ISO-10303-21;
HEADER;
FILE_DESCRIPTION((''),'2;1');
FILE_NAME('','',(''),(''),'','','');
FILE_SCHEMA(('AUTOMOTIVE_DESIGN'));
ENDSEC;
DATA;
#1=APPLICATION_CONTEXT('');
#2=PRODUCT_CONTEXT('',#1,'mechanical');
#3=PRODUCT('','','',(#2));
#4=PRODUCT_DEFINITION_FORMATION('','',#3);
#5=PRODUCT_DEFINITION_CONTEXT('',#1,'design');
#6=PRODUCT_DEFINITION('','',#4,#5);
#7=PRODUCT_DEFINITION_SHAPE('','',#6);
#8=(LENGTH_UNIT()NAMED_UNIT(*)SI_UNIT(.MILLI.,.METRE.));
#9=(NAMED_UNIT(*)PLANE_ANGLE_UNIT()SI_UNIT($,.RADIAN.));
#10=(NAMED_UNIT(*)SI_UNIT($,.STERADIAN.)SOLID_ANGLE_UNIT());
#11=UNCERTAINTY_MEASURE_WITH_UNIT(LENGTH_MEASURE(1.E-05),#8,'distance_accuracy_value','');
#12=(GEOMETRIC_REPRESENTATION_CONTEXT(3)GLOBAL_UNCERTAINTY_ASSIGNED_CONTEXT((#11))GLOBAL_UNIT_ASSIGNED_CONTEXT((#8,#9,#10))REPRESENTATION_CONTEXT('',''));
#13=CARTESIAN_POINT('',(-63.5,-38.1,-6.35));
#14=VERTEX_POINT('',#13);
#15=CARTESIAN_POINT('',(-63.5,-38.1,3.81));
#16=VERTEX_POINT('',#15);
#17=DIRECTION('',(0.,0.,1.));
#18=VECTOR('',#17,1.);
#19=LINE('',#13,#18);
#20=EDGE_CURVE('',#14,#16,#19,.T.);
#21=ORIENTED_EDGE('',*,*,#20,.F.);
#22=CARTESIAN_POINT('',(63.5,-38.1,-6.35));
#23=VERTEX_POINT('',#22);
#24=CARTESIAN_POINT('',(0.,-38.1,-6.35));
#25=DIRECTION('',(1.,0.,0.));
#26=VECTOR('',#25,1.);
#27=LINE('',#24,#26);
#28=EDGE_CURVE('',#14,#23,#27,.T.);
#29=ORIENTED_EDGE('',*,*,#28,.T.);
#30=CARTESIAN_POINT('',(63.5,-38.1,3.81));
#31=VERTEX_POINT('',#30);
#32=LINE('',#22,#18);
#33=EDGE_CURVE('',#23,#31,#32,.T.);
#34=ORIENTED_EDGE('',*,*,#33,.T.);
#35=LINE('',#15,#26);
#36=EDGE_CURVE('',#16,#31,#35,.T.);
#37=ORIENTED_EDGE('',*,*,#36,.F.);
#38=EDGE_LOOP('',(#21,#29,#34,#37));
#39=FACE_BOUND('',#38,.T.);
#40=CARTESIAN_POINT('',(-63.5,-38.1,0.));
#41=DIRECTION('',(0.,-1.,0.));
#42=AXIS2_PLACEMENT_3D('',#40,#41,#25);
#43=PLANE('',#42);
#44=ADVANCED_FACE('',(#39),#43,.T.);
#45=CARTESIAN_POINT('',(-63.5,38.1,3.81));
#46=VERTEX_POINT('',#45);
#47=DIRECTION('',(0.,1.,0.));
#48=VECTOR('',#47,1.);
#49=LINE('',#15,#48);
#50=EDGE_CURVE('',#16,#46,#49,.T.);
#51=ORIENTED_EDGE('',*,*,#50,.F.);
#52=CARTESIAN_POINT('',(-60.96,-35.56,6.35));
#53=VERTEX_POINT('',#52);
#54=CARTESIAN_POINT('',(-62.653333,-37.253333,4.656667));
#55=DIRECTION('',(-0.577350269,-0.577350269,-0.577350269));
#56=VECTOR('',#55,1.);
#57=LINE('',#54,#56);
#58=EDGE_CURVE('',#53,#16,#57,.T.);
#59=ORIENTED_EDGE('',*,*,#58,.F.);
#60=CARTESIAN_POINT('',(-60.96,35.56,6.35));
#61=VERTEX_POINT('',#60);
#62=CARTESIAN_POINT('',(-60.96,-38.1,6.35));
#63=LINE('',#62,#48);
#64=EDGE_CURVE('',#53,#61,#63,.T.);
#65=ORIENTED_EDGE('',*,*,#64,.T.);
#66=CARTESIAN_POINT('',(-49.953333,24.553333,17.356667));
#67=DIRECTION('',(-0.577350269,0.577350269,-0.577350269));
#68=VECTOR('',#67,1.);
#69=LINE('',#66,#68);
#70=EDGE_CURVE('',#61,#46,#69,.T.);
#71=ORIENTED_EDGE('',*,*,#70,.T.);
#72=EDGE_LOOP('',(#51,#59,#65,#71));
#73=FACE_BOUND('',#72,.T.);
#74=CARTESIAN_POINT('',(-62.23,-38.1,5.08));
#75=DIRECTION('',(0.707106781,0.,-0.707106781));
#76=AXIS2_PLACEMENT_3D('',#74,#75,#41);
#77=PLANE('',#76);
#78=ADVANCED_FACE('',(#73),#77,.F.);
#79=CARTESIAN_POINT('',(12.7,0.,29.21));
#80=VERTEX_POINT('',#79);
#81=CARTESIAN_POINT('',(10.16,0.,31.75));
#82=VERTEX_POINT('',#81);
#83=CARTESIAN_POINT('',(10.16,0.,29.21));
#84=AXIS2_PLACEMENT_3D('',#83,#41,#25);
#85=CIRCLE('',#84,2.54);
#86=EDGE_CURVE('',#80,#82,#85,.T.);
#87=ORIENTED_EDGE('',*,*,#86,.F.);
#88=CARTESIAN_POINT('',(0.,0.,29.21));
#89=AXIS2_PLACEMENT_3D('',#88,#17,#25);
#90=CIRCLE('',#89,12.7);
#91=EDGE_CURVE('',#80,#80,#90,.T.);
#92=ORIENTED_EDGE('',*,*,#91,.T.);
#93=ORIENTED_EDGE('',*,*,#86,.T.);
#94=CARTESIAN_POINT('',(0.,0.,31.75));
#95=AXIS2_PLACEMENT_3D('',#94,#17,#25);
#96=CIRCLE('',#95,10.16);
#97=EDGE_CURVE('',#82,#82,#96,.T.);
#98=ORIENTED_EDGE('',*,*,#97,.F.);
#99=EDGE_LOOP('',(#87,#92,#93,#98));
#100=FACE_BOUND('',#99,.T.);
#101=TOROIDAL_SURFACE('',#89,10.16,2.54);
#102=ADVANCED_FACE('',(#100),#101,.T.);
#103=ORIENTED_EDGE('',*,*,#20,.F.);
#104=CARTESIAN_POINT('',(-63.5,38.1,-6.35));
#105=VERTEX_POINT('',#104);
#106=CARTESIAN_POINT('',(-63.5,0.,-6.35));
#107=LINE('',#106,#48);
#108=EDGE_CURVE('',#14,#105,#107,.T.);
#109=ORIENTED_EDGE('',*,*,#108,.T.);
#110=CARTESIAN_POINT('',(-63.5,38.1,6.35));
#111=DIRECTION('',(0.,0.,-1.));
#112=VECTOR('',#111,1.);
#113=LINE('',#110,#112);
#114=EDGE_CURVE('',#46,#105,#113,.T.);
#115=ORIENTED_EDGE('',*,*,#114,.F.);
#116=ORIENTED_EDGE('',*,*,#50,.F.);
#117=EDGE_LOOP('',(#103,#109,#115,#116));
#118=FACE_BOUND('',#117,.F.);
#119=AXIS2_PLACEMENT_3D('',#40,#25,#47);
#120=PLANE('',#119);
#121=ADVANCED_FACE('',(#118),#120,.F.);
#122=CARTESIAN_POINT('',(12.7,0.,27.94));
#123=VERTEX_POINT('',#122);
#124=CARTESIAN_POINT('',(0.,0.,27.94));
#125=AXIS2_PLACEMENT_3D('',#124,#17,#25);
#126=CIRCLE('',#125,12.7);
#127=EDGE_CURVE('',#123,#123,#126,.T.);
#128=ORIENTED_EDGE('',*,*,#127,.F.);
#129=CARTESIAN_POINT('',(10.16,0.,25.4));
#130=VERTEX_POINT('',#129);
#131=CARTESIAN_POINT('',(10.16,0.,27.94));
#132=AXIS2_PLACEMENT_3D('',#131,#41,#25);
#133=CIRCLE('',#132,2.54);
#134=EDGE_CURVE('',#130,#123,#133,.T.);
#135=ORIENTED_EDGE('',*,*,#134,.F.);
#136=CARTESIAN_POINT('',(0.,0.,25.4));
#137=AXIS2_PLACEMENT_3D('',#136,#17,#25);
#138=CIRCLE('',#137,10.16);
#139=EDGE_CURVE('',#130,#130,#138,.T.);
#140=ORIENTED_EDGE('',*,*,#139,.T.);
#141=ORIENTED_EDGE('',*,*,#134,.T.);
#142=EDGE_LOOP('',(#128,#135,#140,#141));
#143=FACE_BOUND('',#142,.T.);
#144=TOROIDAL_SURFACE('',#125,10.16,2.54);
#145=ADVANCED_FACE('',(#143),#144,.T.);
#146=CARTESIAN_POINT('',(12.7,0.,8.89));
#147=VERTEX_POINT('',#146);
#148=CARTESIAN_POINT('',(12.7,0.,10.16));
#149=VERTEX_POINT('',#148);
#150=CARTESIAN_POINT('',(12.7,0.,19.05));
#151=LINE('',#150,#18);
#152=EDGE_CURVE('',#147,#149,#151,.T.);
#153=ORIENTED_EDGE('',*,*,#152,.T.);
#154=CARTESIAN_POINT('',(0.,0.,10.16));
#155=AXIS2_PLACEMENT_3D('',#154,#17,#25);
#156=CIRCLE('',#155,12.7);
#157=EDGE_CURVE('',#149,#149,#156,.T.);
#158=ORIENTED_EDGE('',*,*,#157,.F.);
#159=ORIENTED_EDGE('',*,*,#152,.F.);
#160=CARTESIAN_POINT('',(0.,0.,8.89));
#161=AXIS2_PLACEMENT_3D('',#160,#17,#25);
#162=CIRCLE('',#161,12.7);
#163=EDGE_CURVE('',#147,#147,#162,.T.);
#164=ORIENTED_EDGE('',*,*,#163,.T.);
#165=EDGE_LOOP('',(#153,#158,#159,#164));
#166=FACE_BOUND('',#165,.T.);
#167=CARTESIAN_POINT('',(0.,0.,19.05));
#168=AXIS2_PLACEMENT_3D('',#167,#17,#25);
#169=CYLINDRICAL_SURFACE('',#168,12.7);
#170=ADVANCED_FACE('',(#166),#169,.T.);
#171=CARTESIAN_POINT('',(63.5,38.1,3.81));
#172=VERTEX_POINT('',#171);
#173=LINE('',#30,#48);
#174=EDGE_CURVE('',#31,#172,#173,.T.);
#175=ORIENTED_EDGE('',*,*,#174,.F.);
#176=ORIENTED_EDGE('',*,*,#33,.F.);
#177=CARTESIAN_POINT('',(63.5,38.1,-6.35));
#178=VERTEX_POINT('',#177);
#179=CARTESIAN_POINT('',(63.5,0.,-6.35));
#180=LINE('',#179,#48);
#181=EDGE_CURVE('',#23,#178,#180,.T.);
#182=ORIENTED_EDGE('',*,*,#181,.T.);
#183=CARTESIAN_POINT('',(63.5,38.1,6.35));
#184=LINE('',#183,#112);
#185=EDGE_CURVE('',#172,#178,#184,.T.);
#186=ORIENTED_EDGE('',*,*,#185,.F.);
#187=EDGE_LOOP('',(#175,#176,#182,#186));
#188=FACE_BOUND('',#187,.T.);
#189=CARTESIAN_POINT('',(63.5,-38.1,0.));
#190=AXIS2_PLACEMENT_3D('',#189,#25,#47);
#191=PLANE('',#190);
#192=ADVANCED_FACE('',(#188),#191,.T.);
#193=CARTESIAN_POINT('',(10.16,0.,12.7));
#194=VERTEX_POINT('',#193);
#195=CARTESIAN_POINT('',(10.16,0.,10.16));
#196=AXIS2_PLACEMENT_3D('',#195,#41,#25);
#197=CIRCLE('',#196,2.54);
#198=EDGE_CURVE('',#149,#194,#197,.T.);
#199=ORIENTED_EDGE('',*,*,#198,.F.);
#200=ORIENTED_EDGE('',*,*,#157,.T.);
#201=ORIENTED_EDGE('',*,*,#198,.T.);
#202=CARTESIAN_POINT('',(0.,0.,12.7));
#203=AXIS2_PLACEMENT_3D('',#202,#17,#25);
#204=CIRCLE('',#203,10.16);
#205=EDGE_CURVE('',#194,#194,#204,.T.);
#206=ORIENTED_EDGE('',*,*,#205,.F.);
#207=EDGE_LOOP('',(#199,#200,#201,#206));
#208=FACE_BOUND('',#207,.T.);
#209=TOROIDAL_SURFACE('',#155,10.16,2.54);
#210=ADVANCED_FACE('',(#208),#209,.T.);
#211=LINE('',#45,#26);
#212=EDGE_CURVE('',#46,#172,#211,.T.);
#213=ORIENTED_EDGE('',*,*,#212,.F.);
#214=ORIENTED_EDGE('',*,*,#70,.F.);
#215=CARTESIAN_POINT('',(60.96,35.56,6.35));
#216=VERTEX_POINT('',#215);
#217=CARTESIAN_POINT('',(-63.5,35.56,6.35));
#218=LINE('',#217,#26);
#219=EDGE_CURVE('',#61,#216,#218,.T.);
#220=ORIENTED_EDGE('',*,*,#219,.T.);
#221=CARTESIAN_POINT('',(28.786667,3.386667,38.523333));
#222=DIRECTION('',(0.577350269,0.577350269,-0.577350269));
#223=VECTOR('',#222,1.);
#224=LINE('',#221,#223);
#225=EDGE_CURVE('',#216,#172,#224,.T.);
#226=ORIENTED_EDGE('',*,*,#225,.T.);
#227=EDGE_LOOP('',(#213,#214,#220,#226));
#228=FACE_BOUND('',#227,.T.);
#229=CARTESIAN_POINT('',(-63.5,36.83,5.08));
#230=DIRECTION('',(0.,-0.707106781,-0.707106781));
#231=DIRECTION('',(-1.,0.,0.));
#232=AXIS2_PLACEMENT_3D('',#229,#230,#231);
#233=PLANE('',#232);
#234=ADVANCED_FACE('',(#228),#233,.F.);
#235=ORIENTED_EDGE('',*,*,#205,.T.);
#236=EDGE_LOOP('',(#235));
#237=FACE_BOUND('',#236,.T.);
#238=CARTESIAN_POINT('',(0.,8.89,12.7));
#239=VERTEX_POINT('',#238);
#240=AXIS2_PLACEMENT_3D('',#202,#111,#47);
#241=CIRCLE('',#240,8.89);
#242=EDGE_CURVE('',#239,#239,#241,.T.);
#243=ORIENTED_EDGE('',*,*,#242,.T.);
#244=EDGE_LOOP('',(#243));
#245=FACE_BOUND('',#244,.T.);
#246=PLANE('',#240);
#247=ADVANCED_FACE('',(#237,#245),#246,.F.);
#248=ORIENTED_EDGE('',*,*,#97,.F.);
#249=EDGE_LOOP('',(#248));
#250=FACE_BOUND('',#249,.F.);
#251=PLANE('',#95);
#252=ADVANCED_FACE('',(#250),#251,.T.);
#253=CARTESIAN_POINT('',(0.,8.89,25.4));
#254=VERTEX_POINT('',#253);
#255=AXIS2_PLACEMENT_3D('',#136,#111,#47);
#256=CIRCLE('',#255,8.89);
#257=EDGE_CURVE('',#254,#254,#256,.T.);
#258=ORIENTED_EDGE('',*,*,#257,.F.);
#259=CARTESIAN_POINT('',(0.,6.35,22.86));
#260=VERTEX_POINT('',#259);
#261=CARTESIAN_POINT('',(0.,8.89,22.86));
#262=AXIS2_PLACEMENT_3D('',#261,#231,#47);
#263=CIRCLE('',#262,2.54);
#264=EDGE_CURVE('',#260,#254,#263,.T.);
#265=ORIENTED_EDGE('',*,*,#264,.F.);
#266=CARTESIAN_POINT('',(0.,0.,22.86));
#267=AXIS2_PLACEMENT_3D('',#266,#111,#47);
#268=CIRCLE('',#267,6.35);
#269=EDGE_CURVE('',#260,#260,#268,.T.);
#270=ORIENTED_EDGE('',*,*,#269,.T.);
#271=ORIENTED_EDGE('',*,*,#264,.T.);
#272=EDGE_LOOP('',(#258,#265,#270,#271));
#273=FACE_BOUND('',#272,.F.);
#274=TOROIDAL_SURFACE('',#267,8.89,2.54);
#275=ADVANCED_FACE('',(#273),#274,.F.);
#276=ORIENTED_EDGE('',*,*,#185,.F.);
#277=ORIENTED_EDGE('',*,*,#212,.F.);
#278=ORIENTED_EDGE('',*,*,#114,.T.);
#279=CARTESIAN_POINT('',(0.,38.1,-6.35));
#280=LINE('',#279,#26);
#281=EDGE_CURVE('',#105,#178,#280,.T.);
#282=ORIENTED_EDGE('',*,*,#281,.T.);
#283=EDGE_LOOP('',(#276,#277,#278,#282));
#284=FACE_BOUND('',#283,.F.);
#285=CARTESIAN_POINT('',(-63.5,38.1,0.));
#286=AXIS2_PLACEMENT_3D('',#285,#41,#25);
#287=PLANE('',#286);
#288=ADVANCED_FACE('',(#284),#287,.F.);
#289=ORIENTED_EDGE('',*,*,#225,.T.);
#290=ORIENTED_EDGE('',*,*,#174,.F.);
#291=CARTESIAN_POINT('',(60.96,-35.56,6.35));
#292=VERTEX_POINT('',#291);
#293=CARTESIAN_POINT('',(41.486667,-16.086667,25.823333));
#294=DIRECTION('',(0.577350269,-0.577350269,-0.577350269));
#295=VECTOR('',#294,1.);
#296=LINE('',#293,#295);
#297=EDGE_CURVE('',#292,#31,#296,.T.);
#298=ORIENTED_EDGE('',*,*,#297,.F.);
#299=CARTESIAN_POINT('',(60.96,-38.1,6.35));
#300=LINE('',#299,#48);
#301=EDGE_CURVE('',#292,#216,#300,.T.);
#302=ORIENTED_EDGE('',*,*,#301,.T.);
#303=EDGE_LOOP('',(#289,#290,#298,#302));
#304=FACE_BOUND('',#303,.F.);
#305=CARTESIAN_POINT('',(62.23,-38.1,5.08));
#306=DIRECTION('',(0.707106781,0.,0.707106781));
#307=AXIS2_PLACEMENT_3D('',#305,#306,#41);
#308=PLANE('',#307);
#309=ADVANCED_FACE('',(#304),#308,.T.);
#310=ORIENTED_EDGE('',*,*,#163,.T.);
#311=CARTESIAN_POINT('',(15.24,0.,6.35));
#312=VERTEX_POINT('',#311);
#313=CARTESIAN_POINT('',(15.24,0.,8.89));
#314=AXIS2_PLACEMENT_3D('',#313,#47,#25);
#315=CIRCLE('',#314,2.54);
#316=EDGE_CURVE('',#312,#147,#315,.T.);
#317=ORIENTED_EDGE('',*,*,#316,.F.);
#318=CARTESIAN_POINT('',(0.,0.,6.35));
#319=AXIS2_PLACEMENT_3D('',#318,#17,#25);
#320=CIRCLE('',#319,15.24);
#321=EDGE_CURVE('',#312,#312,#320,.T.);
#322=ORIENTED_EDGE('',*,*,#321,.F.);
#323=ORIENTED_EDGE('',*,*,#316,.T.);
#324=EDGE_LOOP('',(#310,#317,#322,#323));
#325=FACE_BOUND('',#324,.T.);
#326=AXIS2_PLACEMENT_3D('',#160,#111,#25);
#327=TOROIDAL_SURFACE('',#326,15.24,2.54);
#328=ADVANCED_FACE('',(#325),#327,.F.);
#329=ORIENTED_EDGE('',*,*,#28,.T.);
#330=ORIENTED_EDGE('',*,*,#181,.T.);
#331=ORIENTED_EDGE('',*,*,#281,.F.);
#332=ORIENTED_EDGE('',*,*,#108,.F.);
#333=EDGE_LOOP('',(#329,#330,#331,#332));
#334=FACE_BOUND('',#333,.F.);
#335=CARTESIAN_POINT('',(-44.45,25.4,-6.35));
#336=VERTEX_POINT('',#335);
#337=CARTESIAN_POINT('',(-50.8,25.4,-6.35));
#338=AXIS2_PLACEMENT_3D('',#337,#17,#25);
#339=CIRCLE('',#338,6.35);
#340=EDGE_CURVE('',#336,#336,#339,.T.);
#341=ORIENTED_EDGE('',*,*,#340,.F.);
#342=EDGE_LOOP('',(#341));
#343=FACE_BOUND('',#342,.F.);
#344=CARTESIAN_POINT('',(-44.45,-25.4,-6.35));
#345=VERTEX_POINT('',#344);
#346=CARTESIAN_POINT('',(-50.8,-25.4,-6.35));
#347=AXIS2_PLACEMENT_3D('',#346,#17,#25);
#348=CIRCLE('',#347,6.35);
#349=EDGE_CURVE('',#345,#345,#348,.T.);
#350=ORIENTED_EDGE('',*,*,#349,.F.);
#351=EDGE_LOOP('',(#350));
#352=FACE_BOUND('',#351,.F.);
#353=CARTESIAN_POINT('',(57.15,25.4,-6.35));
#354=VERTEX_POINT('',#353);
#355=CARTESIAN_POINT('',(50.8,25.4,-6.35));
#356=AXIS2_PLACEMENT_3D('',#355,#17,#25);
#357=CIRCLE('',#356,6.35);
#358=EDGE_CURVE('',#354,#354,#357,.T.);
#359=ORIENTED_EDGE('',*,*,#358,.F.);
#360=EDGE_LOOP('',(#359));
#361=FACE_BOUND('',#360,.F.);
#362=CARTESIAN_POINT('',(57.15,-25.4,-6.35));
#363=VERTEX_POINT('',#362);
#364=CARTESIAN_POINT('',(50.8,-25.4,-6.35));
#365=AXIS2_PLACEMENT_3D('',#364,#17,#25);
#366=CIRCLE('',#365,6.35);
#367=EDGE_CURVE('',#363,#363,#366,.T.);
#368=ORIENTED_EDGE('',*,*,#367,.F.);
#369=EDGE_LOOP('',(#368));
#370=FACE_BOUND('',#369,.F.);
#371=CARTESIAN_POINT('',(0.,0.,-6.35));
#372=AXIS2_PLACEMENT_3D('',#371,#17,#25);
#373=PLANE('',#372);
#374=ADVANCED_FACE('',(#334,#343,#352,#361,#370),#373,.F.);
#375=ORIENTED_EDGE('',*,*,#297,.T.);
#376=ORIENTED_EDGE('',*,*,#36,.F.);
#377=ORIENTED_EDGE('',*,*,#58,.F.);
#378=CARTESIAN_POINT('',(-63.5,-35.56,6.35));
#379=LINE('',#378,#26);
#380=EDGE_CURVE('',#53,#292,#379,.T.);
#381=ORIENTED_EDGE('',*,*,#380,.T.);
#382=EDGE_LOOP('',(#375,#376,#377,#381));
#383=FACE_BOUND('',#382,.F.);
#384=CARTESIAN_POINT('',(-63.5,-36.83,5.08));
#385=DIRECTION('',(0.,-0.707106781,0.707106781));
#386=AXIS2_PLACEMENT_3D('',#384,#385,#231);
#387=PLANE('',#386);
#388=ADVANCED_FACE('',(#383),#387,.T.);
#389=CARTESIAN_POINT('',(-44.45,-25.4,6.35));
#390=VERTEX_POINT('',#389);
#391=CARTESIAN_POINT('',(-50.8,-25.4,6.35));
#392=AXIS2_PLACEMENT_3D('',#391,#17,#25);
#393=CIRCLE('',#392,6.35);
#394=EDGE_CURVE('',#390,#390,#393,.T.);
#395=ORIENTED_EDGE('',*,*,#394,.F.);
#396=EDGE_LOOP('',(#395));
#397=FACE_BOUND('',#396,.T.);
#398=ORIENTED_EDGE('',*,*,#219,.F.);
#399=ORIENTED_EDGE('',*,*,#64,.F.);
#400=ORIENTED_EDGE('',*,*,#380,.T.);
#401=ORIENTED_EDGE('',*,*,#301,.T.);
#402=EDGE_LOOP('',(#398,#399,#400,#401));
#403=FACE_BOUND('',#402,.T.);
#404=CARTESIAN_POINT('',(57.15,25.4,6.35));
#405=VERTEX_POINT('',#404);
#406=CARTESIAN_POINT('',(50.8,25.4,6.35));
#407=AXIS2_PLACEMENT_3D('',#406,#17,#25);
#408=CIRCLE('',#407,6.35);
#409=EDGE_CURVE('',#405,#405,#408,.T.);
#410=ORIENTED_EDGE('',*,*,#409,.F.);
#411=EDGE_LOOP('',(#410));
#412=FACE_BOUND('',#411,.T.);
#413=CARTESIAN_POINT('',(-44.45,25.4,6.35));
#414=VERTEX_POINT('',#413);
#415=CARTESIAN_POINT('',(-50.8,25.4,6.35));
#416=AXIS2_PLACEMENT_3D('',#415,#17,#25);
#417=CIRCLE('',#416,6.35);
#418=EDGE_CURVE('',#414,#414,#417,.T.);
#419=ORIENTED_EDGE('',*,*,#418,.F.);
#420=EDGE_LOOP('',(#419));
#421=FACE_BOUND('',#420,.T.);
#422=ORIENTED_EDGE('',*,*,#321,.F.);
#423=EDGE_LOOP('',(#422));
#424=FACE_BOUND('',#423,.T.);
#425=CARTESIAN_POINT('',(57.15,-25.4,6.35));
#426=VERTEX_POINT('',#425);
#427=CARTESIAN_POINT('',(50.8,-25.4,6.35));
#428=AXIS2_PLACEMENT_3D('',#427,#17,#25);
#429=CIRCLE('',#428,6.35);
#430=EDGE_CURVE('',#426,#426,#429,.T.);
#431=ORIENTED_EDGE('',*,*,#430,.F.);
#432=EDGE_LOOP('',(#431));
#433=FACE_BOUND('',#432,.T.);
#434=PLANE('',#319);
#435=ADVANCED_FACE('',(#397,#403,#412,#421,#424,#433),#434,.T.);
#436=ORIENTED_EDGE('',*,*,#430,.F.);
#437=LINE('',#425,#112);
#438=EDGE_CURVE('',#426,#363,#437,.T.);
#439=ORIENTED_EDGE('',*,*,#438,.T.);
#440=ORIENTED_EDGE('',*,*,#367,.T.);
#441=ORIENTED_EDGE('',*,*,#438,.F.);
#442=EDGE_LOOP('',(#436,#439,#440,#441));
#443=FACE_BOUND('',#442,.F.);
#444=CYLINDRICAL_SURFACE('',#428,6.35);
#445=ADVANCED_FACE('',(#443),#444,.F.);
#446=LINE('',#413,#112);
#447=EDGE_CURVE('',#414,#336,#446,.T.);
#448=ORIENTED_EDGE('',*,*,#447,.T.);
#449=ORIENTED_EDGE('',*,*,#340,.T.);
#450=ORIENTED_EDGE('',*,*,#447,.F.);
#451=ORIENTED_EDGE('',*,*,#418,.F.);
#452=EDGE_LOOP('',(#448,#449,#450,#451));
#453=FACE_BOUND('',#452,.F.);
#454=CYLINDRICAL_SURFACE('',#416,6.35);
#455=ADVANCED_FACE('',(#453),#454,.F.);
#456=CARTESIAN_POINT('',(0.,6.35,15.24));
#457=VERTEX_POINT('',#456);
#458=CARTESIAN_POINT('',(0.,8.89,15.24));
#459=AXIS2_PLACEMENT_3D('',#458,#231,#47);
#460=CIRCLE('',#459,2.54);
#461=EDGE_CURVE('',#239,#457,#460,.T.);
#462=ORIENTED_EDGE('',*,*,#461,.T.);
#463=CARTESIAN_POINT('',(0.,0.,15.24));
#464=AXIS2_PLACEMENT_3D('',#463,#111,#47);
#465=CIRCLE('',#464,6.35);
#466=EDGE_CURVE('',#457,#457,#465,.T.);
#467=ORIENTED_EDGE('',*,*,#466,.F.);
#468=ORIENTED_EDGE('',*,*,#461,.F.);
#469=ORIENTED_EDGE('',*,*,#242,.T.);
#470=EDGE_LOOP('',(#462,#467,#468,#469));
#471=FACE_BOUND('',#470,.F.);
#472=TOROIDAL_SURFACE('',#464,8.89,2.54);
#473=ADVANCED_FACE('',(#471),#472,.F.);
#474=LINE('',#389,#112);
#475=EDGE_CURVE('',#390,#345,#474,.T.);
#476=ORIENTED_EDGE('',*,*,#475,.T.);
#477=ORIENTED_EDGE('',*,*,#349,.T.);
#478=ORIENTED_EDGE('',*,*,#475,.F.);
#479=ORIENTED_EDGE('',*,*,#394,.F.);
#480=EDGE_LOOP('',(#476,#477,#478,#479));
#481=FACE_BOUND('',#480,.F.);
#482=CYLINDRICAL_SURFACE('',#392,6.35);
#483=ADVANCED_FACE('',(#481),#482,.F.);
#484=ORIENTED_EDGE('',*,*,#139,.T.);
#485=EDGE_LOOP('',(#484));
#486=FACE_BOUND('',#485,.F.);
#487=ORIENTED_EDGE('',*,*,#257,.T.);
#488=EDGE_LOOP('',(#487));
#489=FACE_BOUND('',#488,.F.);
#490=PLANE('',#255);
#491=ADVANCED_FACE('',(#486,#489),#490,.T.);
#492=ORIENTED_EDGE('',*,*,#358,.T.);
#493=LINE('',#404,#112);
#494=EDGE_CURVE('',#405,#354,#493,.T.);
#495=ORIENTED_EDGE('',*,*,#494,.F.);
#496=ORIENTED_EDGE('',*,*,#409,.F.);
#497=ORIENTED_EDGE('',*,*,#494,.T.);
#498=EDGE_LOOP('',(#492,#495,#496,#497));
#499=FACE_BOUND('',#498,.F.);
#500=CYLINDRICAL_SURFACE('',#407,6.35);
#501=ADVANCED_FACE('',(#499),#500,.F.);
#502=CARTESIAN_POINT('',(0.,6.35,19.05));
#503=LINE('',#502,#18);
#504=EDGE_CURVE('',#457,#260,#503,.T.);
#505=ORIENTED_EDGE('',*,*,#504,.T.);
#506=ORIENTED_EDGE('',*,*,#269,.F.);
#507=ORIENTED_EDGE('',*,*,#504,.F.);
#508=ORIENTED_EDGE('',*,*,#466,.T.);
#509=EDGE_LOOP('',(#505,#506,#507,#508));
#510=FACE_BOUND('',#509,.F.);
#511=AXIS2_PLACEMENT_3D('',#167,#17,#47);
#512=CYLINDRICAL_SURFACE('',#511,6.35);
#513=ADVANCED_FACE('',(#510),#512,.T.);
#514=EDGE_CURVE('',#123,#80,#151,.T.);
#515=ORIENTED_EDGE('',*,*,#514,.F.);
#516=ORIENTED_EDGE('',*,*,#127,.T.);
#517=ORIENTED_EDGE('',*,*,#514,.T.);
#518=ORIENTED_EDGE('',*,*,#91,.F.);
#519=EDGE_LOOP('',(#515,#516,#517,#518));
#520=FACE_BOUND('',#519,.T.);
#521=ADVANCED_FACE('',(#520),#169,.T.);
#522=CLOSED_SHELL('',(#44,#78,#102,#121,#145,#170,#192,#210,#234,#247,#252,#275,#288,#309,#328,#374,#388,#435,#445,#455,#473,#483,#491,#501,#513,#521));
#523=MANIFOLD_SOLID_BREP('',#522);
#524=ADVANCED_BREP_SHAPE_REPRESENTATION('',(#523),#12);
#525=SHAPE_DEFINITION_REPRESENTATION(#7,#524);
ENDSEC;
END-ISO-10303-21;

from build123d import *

# Parameters (mm, degrees)
F0_W     = 127
F0_H     = 76.2
F1_DEPTH = 6.35
F2_R     = 6.35
F3_DEPTH = 25.4
F4_W     = 12.7
F4_H     = 25.4
F6_W     = 12.7
F6_H     = 12.7
F8_R     = 2.54
F9_SIZE  = 2.54
F10_R    = 2.54
F11_R    = 2.54


with BuildPart() as f1:
    # F0 (on Top) → F1 (new body, symmetric)
    with BuildSketch(Plane.XY):
        Rectangle(F0_W, F0_H)
    extrude(amount=F1_DEPTH, both=True)

    # F2 (on face) → F3 (cut)
    with BuildSketch(Plane.XY.offset(6.35)):
        with Locations((-50.8, 25.4)):
            Circle(F2_R)
        with Locations((50.8, 25.4)):
            Circle(F2_R)
        with Locations((50.8, -25.4)):
            Circle(F2_R)
        with Locations((-50.8, -25.4)):
            Circle(F2_R)
    extrude(amount=-F3_DEPTH, mode=Mode.SUBTRACT)

    # F4 (on Front) → F5 (revolve)
    with BuildSketch(Plane.XZ):
        with Locations((6.35, 19.05)):
            Rectangle(F4_W, F4_H)
    revolve(axis=Axis((0, 0, 19.05), (0, 0, 1)))

    # F6 (on Right) → F7 (revolve, cut)
    with BuildSketch(Plane.YZ):
        with Locations((12.7, 19.05)):
            Rectangle(F6_W, F6_H)
    revolve(axis=Axis((0, 0, 19.0770364478), (0, 0, -1)), mode=Mode.SUBTRACT)

    # F8
    f8_edges = [f1.edges().sort_by_distance(p)[0] for p in [
        (-12.7, 0, 31.75),
        (-12.7, 0, 6.35),
    ]]
    fillet(f8_edges, radius=F8_R)

    # F9
    f9_edges = [f1.edges().sort_by_distance(p)[0] for p in [
        (0, 38.1, 6.35),
        (-63.5, 0, 6.35),
        (0, -38.1, 6.35),
        (63.5, 0, 6.35),
    ]]
    chamfer(f9_edges, length=F9_SIZE)

    # F10
    f10_edges = [f1.edges().sort_by_distance(p)[0] for p in [
        (-12.7, 0, 25.4),
        (-12.7, 0, 12.7),
    ]]
    fillet(f10_edges, radius=F10_R)

    # F11
    f11_edges = [f1.edges().sort_by_distance(p)[0] for p in [
        (0, -6.35, 12.7),
        (0, -6.35, 25.4),
    ]]
    fillet(f11_edges, radius=F11_R)


solid = f1.part
